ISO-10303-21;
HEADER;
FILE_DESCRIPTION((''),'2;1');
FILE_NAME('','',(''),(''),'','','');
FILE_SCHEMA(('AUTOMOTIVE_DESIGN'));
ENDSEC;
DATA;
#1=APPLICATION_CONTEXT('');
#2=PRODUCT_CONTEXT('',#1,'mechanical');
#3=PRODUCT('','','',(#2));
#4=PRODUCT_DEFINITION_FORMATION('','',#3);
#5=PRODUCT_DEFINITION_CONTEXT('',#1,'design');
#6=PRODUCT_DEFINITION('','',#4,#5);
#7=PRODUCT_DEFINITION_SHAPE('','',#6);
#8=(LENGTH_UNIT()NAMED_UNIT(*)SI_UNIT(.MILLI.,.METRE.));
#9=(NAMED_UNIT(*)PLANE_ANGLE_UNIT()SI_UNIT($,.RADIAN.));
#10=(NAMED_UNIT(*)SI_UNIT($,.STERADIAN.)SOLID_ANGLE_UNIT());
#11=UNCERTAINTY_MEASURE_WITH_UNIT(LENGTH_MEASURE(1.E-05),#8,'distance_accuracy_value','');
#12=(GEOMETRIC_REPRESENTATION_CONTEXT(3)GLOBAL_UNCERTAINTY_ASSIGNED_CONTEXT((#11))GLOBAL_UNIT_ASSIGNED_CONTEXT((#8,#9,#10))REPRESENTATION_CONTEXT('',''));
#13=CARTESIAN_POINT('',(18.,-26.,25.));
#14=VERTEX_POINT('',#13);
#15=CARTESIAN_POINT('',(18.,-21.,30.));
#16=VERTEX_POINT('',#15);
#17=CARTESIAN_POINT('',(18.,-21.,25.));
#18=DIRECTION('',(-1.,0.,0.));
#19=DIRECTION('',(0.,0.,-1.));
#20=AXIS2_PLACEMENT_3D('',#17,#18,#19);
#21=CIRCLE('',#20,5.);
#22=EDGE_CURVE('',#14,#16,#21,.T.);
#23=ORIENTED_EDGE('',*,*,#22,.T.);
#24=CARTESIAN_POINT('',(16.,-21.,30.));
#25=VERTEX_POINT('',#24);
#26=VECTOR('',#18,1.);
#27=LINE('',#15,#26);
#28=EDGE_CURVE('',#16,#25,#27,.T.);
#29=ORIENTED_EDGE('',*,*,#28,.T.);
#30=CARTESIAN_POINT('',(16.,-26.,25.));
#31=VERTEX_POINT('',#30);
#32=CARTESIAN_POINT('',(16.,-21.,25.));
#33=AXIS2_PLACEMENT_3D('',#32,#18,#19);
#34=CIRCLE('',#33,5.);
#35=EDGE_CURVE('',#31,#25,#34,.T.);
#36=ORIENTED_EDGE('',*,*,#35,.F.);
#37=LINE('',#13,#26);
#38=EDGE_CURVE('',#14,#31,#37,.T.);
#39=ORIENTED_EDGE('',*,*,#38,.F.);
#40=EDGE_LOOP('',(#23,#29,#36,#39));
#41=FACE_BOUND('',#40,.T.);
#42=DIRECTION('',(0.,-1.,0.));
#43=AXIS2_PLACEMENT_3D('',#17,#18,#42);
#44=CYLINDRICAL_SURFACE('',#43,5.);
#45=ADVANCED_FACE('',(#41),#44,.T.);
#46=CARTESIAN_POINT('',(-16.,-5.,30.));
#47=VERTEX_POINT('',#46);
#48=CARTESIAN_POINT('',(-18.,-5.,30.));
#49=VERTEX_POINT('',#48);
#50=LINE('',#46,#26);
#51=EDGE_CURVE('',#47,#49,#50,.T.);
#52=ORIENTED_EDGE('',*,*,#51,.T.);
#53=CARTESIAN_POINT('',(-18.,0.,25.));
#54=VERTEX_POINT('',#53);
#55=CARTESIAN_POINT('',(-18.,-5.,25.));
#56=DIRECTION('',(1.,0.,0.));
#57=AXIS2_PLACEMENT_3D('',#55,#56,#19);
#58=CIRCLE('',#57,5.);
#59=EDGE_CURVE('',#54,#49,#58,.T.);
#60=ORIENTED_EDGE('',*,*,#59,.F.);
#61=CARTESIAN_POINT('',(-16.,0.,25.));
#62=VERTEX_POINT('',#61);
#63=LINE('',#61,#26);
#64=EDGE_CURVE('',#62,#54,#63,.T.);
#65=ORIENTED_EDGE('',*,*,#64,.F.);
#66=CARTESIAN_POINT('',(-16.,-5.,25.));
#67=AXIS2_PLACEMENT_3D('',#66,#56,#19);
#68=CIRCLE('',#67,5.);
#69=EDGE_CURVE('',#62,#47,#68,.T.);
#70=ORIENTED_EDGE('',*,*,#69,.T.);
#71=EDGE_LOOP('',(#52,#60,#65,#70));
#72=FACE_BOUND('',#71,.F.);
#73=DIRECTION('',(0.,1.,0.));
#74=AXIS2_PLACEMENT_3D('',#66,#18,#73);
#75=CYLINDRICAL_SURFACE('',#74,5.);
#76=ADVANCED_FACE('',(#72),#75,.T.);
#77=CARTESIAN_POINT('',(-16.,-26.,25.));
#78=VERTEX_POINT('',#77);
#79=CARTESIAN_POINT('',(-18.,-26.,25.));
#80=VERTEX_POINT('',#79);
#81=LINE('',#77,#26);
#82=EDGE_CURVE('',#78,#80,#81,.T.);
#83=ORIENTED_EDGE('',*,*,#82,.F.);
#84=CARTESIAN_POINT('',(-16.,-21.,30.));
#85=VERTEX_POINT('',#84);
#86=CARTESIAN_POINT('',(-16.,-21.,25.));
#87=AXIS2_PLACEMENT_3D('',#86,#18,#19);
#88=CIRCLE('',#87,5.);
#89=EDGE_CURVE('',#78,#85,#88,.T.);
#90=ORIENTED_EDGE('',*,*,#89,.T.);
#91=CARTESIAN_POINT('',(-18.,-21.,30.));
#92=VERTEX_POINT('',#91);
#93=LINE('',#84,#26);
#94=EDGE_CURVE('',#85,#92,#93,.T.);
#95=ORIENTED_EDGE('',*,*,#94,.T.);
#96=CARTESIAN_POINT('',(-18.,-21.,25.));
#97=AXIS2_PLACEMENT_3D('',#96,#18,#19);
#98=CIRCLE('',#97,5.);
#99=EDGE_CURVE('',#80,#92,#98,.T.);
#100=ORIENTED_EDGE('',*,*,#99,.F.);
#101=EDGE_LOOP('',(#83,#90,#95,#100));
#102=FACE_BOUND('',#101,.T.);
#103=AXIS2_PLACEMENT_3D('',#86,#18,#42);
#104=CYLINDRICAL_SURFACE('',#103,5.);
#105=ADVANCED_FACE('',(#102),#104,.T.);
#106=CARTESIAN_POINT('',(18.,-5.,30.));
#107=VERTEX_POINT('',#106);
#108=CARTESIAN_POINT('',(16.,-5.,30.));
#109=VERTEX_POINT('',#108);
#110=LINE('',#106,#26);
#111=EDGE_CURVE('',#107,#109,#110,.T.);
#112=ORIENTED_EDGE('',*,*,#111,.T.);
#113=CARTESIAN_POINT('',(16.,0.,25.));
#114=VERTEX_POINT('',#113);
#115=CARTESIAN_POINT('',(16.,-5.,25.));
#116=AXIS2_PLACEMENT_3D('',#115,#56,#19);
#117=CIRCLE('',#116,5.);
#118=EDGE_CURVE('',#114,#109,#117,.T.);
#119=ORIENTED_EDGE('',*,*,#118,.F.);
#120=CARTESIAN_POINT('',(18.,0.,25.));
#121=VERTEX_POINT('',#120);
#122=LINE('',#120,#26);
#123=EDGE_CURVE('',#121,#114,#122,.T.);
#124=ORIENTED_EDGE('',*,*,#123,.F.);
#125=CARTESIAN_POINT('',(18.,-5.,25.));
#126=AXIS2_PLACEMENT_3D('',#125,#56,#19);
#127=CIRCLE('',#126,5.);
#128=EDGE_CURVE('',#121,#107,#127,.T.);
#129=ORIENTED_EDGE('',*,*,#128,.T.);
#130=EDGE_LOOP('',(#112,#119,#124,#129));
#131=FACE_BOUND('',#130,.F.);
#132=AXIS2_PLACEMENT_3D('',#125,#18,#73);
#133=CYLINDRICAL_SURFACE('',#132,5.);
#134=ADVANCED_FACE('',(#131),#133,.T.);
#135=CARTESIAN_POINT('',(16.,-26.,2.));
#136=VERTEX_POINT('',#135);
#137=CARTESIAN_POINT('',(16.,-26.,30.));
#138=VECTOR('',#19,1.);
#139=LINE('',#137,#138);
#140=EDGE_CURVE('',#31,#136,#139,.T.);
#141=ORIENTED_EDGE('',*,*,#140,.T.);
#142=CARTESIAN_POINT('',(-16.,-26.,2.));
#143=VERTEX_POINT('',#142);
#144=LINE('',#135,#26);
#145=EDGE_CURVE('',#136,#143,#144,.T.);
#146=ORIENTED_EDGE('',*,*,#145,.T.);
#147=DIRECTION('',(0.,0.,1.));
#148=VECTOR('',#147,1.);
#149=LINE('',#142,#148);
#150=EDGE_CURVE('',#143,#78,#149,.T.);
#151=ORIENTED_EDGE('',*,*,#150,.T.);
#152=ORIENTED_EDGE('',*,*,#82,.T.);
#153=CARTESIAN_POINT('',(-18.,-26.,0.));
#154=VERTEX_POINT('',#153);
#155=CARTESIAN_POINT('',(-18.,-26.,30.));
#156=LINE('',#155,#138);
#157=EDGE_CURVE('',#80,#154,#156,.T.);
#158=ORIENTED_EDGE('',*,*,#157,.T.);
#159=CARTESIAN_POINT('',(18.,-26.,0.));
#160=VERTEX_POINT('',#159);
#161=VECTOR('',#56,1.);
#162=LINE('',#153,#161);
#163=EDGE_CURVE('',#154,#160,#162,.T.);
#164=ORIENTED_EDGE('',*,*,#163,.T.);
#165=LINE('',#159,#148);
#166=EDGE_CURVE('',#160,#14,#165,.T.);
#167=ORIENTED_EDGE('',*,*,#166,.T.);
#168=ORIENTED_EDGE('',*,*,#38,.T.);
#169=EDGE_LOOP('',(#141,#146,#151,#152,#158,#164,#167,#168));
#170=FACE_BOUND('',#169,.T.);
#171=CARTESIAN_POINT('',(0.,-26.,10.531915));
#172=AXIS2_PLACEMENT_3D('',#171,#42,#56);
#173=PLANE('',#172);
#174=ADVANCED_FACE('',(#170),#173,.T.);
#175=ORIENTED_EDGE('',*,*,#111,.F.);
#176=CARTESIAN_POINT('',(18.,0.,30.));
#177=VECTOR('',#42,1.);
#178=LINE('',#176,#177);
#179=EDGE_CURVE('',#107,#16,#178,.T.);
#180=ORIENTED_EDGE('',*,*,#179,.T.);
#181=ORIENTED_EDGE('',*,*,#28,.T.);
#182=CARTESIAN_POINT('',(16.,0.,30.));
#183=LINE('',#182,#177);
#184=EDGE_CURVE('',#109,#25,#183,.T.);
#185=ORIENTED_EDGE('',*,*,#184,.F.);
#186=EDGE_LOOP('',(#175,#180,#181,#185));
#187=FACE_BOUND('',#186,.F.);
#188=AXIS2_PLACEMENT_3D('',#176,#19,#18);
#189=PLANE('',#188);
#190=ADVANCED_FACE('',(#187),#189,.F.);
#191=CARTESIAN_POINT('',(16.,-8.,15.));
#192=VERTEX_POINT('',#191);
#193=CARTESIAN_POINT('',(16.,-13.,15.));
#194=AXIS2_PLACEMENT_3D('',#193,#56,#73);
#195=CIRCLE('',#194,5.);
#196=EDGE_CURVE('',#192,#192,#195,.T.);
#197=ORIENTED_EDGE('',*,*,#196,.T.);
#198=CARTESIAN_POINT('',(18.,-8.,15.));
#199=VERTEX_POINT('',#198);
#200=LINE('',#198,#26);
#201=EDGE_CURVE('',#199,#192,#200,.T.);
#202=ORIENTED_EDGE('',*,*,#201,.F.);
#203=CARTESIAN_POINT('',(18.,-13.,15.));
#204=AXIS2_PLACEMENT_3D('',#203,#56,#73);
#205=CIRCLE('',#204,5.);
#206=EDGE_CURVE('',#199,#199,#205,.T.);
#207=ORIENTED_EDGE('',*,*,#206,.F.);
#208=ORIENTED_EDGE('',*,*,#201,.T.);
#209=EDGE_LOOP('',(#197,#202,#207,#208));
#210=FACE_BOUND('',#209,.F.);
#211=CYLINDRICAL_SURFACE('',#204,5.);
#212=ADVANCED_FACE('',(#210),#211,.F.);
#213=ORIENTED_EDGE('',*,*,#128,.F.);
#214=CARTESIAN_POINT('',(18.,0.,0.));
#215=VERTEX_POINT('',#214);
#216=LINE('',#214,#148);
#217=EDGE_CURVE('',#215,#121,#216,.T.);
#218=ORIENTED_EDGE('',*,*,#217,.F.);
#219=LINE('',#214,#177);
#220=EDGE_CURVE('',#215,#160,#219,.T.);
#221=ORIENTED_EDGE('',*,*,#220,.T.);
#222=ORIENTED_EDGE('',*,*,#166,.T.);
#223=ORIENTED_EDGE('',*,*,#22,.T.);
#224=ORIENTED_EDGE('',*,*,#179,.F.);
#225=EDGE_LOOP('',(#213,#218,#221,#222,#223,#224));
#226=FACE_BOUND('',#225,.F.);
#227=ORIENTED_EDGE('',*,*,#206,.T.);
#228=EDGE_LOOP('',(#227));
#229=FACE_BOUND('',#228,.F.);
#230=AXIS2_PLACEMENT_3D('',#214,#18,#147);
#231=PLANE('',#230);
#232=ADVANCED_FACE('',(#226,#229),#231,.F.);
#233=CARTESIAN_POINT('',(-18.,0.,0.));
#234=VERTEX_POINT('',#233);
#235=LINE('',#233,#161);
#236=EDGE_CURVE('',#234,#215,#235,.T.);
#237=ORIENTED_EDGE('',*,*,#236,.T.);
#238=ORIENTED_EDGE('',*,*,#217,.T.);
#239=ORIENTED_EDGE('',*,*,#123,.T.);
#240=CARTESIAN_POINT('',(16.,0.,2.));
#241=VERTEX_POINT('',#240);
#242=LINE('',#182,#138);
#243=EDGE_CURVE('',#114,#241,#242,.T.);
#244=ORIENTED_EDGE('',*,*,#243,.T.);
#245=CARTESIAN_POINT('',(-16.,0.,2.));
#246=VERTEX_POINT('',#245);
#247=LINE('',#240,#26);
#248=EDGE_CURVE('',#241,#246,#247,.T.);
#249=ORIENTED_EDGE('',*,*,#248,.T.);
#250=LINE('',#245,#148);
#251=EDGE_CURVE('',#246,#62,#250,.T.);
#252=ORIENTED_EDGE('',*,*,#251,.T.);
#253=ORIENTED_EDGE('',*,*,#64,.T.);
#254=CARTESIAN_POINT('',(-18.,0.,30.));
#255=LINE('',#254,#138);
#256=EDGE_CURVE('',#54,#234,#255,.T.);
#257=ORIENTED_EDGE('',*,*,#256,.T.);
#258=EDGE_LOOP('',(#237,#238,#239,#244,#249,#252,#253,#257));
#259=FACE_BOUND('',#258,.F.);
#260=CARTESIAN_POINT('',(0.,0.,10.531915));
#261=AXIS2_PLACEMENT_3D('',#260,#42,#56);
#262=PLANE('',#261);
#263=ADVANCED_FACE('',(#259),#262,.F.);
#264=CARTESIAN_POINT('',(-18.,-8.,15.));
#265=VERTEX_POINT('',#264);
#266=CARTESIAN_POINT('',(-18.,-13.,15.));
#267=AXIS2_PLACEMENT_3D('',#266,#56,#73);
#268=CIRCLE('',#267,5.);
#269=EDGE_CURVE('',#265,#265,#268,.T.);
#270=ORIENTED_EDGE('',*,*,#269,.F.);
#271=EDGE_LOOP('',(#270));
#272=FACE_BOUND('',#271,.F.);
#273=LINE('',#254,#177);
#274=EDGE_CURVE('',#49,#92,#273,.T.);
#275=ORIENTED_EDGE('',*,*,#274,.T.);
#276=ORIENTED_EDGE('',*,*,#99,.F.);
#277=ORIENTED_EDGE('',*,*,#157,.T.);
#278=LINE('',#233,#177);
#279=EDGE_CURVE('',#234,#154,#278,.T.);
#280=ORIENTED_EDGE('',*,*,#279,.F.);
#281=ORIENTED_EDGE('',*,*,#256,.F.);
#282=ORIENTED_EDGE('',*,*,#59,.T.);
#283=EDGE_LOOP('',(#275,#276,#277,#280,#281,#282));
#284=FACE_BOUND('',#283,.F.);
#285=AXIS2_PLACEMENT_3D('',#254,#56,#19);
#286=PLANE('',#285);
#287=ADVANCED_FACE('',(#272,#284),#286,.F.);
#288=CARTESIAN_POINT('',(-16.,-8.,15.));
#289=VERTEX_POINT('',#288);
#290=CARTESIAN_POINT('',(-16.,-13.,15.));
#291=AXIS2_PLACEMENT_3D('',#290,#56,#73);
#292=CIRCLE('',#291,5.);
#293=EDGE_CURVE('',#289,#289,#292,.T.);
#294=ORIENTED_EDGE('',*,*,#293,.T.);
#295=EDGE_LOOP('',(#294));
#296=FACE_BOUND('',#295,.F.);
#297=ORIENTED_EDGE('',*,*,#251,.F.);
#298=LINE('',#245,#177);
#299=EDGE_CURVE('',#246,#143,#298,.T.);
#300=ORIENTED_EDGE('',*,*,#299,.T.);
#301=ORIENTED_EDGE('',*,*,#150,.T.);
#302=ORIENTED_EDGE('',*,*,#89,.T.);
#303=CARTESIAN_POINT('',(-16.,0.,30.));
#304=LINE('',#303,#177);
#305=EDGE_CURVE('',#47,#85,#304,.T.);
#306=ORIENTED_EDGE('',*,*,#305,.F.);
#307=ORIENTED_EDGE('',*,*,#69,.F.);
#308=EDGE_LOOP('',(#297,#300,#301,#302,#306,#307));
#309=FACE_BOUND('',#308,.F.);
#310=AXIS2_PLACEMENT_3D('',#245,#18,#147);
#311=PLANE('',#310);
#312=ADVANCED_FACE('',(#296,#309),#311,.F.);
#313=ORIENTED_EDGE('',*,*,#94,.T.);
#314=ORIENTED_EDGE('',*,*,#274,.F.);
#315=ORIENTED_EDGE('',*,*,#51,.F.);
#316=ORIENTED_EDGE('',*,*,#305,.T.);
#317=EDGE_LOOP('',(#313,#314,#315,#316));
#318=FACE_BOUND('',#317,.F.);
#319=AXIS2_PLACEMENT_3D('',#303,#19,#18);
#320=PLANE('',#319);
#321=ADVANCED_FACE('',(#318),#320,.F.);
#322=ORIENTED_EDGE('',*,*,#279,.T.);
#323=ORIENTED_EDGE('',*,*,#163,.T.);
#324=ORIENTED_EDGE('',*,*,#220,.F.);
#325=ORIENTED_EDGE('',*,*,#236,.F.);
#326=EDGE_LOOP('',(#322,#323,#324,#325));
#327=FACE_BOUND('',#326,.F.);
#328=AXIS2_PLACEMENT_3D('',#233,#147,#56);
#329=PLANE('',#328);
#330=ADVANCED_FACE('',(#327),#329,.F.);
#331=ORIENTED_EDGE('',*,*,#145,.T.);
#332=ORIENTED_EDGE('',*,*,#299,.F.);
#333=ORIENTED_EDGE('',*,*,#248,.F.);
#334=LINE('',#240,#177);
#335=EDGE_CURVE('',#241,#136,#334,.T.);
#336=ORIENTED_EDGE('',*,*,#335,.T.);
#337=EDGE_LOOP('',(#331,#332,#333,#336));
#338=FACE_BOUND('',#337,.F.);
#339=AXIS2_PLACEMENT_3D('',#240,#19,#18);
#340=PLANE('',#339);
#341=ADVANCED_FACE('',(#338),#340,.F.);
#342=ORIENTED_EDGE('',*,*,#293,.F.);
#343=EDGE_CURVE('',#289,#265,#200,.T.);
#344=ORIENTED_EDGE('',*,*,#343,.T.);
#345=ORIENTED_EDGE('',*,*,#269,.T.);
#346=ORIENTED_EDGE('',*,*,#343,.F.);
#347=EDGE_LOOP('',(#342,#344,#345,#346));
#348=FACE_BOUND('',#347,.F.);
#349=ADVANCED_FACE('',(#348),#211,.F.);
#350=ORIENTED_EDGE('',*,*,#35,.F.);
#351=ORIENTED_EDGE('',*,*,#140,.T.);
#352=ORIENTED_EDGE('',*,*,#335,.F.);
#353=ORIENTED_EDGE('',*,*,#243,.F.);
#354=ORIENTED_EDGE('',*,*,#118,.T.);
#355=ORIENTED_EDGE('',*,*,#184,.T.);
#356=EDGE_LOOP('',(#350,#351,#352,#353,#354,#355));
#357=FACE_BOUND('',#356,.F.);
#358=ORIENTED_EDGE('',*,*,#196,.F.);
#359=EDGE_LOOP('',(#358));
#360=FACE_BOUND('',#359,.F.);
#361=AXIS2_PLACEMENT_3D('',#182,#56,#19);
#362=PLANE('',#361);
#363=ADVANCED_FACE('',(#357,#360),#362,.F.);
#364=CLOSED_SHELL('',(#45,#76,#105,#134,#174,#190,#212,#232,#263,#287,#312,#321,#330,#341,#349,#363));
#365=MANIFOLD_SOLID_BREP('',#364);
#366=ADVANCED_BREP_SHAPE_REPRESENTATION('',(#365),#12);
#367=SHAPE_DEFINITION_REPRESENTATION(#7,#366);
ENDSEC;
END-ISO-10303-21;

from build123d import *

# Parameters (mm, degrees)
F1_DEPTH = 26
F2_R     = 5
F3_DEPTH = 40
F4_R     = 5


with BuildPart() as f1:
    # F0 (on Front) → F1 (new body)
    with BuildSketch(Plane.XZ):
        Polygon((-18, 0), (0, 0), (18, 0), (18, 30), (16, 30), (16, 2), (-16, 2), (-16, 30), (-18, 30), align=None)
    extrude(amount=F1_DEPTH)

    # F2 (on face) → F3 (cut)
    with BuildSketch(Plane.YZ.offset(18)):
        with Locations((-13, 15)):
            Circle(F2_R)
    extrude(amount=-F3_DEPTH, mode=Mode.SUBTRACT)

    # F4
    f4_edges = [f1.edges().sort_by_distance(p)[0] for p in [
        (17, -26, 30),
        (17, 0, 30),
        (-17, 0, 30),
        (-17, -26, 30),
    ]]
    fillet(f4_edges, radius=F4_R)


solid = f1.part
